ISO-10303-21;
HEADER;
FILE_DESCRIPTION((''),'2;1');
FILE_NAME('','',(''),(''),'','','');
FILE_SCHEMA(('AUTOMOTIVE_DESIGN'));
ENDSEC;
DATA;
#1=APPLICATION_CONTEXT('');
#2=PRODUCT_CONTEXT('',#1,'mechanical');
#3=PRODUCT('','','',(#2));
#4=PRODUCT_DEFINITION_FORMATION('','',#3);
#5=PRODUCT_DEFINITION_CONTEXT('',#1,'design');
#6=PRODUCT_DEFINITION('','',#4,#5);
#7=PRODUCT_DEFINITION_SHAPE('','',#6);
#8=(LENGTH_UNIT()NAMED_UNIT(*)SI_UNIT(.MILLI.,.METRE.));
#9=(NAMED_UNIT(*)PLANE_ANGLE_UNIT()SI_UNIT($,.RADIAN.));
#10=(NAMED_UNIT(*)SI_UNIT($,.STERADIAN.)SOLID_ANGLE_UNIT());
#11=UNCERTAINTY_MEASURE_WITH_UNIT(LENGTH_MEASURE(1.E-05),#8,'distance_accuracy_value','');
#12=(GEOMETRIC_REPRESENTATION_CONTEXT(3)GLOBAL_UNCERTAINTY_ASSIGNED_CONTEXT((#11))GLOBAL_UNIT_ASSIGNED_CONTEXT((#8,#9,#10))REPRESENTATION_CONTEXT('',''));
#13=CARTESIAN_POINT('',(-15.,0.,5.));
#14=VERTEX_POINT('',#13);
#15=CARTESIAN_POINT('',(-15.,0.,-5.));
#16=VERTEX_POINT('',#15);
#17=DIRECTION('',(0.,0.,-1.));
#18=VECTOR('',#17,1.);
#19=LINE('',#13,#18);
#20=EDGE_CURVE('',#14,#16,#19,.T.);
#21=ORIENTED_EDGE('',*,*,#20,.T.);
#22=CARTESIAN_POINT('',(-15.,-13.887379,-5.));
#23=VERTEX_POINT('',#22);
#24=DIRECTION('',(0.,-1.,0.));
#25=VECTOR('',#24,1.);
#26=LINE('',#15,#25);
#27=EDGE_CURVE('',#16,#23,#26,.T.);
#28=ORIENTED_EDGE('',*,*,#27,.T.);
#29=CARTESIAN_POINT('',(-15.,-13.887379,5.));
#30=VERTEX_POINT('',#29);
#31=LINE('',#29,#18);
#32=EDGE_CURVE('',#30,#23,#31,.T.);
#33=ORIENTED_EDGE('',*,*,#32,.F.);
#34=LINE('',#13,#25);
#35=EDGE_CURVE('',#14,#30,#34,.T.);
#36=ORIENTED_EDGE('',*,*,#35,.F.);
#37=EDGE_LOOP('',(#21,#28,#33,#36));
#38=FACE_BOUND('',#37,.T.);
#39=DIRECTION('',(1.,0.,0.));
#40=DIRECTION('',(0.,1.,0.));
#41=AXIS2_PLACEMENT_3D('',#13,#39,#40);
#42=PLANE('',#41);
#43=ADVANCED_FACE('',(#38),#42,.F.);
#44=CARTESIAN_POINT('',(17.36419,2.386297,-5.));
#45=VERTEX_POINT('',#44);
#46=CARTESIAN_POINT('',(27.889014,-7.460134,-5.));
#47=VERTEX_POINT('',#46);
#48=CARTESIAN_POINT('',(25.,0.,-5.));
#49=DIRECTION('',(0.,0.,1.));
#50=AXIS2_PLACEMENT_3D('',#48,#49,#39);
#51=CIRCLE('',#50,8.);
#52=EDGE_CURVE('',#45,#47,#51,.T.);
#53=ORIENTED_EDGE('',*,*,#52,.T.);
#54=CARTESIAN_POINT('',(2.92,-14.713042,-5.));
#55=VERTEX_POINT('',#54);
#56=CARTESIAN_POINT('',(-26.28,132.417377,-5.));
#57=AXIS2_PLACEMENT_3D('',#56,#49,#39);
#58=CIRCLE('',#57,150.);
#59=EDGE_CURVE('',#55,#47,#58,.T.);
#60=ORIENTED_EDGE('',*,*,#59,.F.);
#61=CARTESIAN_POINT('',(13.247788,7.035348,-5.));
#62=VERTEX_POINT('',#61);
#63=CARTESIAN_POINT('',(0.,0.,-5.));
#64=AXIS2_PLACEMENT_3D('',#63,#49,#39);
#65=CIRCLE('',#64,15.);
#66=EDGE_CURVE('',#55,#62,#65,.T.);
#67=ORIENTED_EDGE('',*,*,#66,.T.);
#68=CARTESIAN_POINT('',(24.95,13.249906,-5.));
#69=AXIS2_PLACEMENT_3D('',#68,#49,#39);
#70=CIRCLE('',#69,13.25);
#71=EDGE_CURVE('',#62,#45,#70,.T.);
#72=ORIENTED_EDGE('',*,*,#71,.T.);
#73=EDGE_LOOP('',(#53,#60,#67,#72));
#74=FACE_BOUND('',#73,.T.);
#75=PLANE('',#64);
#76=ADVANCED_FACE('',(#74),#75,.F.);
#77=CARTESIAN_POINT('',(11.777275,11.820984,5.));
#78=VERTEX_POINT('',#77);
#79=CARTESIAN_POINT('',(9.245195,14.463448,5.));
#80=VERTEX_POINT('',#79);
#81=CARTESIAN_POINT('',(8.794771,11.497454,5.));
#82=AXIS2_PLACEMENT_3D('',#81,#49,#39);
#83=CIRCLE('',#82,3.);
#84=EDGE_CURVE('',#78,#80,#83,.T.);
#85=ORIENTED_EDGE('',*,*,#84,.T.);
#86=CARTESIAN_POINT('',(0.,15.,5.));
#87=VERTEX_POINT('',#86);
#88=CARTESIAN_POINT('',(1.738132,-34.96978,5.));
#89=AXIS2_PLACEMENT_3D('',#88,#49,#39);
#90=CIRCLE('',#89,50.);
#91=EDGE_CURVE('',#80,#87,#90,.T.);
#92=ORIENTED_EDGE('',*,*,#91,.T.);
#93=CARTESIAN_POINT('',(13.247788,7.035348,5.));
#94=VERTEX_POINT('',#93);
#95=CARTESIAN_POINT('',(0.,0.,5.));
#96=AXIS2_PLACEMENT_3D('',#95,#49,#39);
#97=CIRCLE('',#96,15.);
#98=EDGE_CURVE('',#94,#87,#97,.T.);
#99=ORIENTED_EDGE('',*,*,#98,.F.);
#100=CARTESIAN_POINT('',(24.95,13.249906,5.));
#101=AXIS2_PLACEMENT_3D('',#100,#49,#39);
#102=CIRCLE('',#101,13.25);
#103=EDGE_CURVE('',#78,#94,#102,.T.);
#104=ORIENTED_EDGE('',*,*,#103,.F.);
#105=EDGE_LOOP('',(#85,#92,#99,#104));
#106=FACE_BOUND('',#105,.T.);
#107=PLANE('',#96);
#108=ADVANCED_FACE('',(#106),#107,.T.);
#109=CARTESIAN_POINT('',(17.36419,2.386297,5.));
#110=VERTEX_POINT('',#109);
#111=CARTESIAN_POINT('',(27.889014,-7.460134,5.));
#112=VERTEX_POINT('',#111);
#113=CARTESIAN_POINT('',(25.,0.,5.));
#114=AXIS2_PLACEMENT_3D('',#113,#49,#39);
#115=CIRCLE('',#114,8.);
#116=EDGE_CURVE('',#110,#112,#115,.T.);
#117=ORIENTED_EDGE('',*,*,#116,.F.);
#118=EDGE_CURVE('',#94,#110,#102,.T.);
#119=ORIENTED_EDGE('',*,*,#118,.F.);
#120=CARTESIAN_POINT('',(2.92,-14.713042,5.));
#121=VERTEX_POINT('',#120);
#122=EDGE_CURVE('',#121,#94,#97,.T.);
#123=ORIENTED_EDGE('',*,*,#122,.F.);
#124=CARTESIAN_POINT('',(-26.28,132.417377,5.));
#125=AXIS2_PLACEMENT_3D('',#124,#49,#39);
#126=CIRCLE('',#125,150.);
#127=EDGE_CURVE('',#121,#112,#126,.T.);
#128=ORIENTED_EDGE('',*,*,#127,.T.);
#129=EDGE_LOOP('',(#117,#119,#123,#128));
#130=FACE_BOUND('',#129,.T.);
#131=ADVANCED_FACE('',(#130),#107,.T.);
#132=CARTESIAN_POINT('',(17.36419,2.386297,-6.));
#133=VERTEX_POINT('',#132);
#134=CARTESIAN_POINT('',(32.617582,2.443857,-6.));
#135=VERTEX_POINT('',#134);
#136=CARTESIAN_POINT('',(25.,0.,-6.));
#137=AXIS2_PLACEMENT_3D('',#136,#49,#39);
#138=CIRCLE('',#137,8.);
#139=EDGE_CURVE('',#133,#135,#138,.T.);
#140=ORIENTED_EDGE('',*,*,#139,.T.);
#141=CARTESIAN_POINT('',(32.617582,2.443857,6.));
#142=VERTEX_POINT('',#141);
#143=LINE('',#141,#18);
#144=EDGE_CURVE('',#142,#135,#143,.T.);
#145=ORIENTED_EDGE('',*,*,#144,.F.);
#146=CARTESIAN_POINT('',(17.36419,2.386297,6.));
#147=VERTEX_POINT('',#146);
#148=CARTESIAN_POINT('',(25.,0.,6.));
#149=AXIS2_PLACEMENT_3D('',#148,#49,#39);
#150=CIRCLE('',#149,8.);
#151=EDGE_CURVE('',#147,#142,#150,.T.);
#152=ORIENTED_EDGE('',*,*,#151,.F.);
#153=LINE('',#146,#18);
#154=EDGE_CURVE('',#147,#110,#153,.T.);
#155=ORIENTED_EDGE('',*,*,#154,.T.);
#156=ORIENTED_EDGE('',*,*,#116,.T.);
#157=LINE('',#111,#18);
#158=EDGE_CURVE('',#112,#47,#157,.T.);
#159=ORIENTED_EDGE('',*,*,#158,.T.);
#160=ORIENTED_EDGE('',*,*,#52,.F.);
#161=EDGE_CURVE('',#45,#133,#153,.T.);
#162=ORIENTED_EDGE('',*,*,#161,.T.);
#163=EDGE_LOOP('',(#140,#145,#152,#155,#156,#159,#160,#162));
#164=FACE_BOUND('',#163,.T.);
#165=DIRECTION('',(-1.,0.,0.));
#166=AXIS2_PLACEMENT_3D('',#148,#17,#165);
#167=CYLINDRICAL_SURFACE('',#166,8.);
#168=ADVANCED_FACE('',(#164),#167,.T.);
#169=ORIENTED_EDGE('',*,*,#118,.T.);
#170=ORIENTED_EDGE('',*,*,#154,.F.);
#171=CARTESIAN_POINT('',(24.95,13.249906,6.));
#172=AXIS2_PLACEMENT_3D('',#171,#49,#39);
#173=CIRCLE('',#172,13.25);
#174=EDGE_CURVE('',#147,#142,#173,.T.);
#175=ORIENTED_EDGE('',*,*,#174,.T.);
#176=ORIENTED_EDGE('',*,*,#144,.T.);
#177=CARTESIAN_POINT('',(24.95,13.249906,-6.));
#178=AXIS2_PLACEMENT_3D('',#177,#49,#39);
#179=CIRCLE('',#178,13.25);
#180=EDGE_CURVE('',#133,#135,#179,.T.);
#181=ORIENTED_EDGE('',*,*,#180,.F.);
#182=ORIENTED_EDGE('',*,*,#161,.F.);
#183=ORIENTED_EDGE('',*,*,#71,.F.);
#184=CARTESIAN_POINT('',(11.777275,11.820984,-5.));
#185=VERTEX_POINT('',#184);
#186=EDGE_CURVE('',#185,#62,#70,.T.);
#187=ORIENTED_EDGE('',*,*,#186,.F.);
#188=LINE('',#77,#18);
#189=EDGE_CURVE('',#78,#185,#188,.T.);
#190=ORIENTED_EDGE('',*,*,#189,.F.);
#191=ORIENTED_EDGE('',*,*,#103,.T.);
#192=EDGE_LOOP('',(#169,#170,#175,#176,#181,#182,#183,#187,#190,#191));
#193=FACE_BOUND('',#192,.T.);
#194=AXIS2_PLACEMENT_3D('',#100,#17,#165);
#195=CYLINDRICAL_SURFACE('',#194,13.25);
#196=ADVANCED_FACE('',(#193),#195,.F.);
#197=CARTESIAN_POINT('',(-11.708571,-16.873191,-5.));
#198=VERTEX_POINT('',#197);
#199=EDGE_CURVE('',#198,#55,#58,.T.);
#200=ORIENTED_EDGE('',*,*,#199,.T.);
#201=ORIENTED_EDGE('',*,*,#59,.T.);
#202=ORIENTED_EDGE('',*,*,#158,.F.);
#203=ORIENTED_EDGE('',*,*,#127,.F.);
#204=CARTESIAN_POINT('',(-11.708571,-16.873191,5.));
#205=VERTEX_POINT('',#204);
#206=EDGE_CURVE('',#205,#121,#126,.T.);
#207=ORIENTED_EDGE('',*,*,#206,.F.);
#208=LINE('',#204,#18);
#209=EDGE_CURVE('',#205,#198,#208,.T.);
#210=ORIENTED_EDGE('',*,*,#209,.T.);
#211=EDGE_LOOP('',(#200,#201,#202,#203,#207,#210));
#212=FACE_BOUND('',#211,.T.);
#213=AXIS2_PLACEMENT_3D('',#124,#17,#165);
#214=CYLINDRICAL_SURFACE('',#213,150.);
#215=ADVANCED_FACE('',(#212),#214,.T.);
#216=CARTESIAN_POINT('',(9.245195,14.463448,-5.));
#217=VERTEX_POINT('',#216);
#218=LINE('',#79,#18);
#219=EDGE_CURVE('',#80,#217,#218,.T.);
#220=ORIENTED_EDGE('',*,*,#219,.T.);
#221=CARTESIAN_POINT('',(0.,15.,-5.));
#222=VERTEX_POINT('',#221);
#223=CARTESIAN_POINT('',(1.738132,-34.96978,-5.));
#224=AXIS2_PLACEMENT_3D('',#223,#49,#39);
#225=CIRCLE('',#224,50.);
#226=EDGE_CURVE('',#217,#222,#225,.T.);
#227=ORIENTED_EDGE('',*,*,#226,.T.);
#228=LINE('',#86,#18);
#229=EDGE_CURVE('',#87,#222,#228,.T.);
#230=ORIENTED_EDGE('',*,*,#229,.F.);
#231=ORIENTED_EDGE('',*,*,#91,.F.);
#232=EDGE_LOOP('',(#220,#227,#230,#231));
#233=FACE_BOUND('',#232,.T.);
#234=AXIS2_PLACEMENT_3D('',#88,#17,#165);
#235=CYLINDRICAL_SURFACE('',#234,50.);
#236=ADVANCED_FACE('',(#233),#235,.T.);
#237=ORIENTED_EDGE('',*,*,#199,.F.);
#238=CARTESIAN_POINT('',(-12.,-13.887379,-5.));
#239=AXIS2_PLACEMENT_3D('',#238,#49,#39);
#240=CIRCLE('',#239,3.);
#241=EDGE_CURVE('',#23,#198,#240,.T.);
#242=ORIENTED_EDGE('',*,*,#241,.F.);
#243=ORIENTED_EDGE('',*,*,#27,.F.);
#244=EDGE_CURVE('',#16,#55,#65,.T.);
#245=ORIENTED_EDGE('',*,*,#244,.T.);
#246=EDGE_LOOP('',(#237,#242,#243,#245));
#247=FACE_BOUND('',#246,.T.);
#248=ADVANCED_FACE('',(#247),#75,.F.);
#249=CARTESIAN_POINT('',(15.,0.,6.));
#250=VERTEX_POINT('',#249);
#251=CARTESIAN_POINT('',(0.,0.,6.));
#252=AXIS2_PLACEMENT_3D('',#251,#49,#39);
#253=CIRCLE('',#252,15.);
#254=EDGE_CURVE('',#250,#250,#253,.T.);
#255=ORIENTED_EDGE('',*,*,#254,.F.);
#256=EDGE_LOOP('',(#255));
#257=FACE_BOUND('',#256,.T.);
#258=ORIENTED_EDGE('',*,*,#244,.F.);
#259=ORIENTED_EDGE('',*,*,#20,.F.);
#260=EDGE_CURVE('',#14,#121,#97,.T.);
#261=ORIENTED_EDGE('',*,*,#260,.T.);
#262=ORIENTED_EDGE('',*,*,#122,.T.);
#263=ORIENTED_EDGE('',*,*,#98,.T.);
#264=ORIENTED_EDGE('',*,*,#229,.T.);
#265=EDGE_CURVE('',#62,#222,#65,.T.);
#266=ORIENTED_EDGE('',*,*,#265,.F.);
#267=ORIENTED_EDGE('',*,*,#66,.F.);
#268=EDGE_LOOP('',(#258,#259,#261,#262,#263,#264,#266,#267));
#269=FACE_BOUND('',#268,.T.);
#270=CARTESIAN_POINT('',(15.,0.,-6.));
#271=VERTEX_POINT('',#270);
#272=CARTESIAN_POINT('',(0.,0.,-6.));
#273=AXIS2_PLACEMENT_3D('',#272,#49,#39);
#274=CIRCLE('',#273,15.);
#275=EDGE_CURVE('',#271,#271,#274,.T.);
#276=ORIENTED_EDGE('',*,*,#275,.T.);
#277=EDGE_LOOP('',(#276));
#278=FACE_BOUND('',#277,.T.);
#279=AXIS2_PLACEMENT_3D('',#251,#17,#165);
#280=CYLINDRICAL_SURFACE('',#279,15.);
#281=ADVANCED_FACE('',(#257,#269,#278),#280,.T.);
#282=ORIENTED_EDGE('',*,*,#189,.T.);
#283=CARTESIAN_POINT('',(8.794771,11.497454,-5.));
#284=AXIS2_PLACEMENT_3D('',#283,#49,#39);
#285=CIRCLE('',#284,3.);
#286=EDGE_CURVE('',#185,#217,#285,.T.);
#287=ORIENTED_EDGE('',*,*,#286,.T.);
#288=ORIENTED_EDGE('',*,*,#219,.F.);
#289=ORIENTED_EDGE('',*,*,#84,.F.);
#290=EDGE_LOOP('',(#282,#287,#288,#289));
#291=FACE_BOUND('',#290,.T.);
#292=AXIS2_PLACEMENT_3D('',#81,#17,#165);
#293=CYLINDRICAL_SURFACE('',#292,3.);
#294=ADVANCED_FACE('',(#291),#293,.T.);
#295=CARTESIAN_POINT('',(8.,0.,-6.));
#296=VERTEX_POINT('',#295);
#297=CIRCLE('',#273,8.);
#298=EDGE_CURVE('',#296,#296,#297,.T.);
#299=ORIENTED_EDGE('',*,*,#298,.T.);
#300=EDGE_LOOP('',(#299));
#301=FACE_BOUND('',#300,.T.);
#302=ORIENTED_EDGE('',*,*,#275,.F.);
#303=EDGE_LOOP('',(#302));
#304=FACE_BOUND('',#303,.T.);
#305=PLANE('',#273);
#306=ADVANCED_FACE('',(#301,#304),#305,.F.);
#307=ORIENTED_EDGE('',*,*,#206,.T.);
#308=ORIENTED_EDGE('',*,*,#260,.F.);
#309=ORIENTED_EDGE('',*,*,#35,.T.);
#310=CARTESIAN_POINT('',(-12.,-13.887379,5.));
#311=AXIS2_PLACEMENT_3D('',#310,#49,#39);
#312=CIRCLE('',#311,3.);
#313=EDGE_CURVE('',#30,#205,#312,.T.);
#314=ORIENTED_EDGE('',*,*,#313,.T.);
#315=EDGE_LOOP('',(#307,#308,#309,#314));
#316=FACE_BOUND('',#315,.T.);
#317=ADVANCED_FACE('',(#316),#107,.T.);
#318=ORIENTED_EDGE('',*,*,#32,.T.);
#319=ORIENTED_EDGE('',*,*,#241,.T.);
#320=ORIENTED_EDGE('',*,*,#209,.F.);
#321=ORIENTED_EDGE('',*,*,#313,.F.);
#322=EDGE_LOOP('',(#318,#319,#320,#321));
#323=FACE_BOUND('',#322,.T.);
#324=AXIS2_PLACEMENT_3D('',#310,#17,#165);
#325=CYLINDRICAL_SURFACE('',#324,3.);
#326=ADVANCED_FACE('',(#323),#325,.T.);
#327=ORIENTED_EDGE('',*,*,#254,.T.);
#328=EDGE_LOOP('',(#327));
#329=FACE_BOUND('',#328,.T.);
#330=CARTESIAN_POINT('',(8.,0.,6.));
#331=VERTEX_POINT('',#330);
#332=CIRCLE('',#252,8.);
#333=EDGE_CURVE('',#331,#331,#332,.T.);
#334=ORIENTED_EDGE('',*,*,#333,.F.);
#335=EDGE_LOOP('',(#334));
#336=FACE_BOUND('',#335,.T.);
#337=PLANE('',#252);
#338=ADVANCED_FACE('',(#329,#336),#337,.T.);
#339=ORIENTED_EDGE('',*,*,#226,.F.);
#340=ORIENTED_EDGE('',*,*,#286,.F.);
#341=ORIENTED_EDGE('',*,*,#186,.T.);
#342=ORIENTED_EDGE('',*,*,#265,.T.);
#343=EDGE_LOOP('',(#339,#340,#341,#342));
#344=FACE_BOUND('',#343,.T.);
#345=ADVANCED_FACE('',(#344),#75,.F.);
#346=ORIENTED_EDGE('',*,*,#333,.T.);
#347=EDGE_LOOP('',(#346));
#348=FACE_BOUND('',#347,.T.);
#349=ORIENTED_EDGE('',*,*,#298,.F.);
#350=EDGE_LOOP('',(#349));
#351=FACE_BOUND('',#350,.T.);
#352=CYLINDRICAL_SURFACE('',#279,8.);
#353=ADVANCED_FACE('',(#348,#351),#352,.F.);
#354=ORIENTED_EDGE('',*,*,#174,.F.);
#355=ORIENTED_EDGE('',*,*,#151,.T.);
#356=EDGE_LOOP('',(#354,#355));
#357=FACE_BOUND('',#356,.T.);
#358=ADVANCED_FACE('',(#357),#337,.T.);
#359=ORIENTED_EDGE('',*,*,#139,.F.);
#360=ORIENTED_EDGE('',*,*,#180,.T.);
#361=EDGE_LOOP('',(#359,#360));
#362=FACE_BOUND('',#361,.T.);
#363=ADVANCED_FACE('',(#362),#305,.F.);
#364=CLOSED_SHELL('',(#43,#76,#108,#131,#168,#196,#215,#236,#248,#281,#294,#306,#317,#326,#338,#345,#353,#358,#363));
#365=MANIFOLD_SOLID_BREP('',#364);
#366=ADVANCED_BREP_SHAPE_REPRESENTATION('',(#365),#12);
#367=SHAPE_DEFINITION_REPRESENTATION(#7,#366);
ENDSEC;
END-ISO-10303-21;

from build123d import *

# Parameters (mm, degrees)
SKETCH_1_R      = 15
SKETCH_1_R_2    = 8
EXTRUDE_1_DEPTH = 6
EXTRUDE_3_DEPTH = 6
EXTRUDE_4_DEPTH = 5


with BuildPart() as part:
    # 草图1 → 凸台-拉伸1 (new, symmetric)
    with BuildSketch(Plane.XY):
        Circle(SKETCH_1_R)
        Circle(SKETCH_1_R_2, mode=Mode.SUBTRACT)
    extrude(amount=EXTRUDE_1_DEPTH, both=True)



with BuildPart() as body_2:
    # 草图2 → 凸台-拉伸3 (new, symmetric)
    with BuildSketch(Plane.XY):
        with BuildLine():
            ThreePointArc((17.364190492, 2.386296955), (19.534557037, -5.841997366), (27.889014085, -7.460133888))
            ThreePointArc((27.889014085, -7.460133888), (32.219376902, -3.446824212), (32.617582381, 2.443857334))
            ThreePointArc((32.617582381, 2.443857334), (25, 0), (17.364190492, 2.386296955))
        make_face()
    extrude(amount=EXTRUDE_3_DEPTH, both=True)


with BuildPart() as part_1:
    add(part.part)

    add(body_2.part)  # 凸台-拉伸4 merges body 2
    # 草图2<4> → 凸台-拉伸4 (add, symmetric)
    with BuildSketch(Plane.XY):
        with BuildLine():
            ThreePointArc((2.920001822, -14.713041472), (-9.51840251, -11.593101986), (-15, 0))
            Line((-15, 0), (-15, -13.8873794))
            ThreePointArc((-15, -13.8873794), (-14.015653031, -16.10934764), (-11.708571429, -16.873190745))
            ThreePointArc((-11.708571429, -16.873190745), (-4.367649809, -15.973488812), (2.920001822, -14.713041472))
        make_face()
        with BuildLine():
            ThreePointArc((9.245195089, 14.463447909), (4.635046482, 14.946228489), (0, 15))
            ThreePointArc((0, 15), (7.728834811, 12.855547926), (13.247787509, 7.035348329))
            ThreePointArc((13.247787509, 7.035348329), (12.284448117, 9.358081475), (11.777275068, 11.820983737))
            ThreePointArc((11.777275068, 11.820983737), (10.960851201, 13.57305004), (9.245195089, 14.463447909))
        make_face()
        with BuildLine():
            ThreePointArc((13.247787509, 7.035348329), (13.549814305, -6.434479956), (2.920001822, -14.713041472))
            ThreePointArc((2.920001822, -14.713041472), (15.561957057, -11.62862528), (27.889014085, -7.460133888))
            ThreePointArc((27.889014085, -7.460133888), (19.534557037, -5.841997366), (17.364190492, 2.386296955))
            ThreePointArc((17.364190492, 2.386296955), (15.029800011, 4.466277015), (13.247787509, 7.035348329))
        make_face()
    extrude(amount=EXTRUDE_4_DEPTH, both=True)


solid = part_1.part
